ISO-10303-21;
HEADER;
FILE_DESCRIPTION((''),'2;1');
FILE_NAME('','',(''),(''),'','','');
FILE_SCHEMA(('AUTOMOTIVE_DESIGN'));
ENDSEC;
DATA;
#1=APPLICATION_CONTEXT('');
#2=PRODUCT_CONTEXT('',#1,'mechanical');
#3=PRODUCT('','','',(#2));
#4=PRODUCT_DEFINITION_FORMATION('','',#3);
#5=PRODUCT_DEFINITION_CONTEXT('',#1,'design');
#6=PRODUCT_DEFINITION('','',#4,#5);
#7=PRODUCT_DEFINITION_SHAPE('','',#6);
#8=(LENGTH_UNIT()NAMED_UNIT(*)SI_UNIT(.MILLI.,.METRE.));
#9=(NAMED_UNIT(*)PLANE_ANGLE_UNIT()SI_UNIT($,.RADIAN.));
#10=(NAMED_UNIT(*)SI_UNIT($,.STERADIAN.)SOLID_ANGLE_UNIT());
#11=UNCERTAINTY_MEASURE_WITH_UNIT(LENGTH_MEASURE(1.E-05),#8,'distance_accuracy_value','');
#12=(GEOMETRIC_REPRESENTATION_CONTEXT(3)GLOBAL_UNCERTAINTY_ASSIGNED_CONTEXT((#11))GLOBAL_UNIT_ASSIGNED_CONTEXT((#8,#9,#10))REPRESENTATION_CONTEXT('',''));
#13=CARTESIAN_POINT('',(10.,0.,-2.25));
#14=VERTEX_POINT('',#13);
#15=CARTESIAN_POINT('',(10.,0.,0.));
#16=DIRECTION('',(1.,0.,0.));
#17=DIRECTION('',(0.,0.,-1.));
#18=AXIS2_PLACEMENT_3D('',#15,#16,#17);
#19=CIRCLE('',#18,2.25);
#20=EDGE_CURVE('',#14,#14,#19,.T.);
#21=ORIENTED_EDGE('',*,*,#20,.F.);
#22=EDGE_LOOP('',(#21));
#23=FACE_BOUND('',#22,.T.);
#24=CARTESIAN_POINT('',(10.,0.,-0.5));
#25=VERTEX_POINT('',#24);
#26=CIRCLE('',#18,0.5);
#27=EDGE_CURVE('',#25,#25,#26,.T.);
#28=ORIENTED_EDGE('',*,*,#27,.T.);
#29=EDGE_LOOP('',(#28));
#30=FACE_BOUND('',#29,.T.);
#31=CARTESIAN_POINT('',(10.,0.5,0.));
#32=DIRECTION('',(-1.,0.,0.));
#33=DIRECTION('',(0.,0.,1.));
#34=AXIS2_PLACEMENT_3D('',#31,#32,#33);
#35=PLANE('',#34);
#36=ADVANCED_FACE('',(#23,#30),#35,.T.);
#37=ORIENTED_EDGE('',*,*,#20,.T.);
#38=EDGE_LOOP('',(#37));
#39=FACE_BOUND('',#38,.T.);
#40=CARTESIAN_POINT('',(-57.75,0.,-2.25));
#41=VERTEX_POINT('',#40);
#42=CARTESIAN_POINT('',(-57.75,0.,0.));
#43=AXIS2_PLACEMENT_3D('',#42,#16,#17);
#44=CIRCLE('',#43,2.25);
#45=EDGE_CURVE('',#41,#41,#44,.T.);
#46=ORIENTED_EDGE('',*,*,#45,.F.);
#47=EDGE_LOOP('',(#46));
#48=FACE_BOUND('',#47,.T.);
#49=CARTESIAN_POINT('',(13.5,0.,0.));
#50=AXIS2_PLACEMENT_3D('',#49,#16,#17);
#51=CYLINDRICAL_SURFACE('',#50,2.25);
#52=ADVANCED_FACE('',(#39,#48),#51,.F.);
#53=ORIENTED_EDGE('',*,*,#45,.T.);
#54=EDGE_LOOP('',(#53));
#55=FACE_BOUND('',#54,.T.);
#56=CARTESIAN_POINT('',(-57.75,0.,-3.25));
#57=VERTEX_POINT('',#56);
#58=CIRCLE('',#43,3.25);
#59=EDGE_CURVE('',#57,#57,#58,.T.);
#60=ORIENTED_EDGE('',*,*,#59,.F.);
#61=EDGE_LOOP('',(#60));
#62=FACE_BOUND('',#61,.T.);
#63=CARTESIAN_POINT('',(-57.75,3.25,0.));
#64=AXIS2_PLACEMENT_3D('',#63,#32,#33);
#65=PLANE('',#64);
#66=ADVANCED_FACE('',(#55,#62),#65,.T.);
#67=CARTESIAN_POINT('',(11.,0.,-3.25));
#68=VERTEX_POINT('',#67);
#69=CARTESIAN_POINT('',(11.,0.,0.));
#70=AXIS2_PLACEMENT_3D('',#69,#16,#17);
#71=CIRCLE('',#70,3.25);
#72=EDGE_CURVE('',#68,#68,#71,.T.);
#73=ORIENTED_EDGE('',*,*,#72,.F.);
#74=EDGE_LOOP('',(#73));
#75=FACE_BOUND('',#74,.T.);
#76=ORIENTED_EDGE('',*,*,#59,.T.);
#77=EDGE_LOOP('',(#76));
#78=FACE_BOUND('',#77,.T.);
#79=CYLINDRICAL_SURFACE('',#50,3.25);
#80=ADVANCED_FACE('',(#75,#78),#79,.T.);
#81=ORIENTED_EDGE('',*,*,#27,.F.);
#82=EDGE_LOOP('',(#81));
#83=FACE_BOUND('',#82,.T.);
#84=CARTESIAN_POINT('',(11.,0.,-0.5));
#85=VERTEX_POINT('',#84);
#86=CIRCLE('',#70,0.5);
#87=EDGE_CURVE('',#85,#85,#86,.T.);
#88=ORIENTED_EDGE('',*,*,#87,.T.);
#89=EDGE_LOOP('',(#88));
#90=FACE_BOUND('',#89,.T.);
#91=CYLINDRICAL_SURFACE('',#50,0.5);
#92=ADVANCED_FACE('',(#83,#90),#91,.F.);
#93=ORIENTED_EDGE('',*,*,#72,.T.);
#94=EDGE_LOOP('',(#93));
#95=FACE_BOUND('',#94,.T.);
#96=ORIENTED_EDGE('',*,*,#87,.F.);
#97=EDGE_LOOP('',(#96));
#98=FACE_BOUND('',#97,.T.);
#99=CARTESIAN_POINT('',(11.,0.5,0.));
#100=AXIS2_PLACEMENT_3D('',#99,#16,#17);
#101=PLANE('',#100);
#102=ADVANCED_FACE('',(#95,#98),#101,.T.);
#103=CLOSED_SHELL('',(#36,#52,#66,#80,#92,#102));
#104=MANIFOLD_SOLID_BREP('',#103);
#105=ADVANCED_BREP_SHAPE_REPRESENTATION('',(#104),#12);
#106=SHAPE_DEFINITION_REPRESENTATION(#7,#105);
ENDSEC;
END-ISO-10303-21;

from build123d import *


with BuildPart() as part:
    # Sketch1 → Revolve1 (revolve)
    with BuildSketch(Plane.XY):
        Polygon((11, 0.5), (11, 3.25), (-57.75, 3.25), (-57.75, 2.25), (10, 2.25), (10, 0.5), align=None)
    revolve(axis=Axis((13.5, 0, 0), (-1, 0, 0)))


solid = part.part
